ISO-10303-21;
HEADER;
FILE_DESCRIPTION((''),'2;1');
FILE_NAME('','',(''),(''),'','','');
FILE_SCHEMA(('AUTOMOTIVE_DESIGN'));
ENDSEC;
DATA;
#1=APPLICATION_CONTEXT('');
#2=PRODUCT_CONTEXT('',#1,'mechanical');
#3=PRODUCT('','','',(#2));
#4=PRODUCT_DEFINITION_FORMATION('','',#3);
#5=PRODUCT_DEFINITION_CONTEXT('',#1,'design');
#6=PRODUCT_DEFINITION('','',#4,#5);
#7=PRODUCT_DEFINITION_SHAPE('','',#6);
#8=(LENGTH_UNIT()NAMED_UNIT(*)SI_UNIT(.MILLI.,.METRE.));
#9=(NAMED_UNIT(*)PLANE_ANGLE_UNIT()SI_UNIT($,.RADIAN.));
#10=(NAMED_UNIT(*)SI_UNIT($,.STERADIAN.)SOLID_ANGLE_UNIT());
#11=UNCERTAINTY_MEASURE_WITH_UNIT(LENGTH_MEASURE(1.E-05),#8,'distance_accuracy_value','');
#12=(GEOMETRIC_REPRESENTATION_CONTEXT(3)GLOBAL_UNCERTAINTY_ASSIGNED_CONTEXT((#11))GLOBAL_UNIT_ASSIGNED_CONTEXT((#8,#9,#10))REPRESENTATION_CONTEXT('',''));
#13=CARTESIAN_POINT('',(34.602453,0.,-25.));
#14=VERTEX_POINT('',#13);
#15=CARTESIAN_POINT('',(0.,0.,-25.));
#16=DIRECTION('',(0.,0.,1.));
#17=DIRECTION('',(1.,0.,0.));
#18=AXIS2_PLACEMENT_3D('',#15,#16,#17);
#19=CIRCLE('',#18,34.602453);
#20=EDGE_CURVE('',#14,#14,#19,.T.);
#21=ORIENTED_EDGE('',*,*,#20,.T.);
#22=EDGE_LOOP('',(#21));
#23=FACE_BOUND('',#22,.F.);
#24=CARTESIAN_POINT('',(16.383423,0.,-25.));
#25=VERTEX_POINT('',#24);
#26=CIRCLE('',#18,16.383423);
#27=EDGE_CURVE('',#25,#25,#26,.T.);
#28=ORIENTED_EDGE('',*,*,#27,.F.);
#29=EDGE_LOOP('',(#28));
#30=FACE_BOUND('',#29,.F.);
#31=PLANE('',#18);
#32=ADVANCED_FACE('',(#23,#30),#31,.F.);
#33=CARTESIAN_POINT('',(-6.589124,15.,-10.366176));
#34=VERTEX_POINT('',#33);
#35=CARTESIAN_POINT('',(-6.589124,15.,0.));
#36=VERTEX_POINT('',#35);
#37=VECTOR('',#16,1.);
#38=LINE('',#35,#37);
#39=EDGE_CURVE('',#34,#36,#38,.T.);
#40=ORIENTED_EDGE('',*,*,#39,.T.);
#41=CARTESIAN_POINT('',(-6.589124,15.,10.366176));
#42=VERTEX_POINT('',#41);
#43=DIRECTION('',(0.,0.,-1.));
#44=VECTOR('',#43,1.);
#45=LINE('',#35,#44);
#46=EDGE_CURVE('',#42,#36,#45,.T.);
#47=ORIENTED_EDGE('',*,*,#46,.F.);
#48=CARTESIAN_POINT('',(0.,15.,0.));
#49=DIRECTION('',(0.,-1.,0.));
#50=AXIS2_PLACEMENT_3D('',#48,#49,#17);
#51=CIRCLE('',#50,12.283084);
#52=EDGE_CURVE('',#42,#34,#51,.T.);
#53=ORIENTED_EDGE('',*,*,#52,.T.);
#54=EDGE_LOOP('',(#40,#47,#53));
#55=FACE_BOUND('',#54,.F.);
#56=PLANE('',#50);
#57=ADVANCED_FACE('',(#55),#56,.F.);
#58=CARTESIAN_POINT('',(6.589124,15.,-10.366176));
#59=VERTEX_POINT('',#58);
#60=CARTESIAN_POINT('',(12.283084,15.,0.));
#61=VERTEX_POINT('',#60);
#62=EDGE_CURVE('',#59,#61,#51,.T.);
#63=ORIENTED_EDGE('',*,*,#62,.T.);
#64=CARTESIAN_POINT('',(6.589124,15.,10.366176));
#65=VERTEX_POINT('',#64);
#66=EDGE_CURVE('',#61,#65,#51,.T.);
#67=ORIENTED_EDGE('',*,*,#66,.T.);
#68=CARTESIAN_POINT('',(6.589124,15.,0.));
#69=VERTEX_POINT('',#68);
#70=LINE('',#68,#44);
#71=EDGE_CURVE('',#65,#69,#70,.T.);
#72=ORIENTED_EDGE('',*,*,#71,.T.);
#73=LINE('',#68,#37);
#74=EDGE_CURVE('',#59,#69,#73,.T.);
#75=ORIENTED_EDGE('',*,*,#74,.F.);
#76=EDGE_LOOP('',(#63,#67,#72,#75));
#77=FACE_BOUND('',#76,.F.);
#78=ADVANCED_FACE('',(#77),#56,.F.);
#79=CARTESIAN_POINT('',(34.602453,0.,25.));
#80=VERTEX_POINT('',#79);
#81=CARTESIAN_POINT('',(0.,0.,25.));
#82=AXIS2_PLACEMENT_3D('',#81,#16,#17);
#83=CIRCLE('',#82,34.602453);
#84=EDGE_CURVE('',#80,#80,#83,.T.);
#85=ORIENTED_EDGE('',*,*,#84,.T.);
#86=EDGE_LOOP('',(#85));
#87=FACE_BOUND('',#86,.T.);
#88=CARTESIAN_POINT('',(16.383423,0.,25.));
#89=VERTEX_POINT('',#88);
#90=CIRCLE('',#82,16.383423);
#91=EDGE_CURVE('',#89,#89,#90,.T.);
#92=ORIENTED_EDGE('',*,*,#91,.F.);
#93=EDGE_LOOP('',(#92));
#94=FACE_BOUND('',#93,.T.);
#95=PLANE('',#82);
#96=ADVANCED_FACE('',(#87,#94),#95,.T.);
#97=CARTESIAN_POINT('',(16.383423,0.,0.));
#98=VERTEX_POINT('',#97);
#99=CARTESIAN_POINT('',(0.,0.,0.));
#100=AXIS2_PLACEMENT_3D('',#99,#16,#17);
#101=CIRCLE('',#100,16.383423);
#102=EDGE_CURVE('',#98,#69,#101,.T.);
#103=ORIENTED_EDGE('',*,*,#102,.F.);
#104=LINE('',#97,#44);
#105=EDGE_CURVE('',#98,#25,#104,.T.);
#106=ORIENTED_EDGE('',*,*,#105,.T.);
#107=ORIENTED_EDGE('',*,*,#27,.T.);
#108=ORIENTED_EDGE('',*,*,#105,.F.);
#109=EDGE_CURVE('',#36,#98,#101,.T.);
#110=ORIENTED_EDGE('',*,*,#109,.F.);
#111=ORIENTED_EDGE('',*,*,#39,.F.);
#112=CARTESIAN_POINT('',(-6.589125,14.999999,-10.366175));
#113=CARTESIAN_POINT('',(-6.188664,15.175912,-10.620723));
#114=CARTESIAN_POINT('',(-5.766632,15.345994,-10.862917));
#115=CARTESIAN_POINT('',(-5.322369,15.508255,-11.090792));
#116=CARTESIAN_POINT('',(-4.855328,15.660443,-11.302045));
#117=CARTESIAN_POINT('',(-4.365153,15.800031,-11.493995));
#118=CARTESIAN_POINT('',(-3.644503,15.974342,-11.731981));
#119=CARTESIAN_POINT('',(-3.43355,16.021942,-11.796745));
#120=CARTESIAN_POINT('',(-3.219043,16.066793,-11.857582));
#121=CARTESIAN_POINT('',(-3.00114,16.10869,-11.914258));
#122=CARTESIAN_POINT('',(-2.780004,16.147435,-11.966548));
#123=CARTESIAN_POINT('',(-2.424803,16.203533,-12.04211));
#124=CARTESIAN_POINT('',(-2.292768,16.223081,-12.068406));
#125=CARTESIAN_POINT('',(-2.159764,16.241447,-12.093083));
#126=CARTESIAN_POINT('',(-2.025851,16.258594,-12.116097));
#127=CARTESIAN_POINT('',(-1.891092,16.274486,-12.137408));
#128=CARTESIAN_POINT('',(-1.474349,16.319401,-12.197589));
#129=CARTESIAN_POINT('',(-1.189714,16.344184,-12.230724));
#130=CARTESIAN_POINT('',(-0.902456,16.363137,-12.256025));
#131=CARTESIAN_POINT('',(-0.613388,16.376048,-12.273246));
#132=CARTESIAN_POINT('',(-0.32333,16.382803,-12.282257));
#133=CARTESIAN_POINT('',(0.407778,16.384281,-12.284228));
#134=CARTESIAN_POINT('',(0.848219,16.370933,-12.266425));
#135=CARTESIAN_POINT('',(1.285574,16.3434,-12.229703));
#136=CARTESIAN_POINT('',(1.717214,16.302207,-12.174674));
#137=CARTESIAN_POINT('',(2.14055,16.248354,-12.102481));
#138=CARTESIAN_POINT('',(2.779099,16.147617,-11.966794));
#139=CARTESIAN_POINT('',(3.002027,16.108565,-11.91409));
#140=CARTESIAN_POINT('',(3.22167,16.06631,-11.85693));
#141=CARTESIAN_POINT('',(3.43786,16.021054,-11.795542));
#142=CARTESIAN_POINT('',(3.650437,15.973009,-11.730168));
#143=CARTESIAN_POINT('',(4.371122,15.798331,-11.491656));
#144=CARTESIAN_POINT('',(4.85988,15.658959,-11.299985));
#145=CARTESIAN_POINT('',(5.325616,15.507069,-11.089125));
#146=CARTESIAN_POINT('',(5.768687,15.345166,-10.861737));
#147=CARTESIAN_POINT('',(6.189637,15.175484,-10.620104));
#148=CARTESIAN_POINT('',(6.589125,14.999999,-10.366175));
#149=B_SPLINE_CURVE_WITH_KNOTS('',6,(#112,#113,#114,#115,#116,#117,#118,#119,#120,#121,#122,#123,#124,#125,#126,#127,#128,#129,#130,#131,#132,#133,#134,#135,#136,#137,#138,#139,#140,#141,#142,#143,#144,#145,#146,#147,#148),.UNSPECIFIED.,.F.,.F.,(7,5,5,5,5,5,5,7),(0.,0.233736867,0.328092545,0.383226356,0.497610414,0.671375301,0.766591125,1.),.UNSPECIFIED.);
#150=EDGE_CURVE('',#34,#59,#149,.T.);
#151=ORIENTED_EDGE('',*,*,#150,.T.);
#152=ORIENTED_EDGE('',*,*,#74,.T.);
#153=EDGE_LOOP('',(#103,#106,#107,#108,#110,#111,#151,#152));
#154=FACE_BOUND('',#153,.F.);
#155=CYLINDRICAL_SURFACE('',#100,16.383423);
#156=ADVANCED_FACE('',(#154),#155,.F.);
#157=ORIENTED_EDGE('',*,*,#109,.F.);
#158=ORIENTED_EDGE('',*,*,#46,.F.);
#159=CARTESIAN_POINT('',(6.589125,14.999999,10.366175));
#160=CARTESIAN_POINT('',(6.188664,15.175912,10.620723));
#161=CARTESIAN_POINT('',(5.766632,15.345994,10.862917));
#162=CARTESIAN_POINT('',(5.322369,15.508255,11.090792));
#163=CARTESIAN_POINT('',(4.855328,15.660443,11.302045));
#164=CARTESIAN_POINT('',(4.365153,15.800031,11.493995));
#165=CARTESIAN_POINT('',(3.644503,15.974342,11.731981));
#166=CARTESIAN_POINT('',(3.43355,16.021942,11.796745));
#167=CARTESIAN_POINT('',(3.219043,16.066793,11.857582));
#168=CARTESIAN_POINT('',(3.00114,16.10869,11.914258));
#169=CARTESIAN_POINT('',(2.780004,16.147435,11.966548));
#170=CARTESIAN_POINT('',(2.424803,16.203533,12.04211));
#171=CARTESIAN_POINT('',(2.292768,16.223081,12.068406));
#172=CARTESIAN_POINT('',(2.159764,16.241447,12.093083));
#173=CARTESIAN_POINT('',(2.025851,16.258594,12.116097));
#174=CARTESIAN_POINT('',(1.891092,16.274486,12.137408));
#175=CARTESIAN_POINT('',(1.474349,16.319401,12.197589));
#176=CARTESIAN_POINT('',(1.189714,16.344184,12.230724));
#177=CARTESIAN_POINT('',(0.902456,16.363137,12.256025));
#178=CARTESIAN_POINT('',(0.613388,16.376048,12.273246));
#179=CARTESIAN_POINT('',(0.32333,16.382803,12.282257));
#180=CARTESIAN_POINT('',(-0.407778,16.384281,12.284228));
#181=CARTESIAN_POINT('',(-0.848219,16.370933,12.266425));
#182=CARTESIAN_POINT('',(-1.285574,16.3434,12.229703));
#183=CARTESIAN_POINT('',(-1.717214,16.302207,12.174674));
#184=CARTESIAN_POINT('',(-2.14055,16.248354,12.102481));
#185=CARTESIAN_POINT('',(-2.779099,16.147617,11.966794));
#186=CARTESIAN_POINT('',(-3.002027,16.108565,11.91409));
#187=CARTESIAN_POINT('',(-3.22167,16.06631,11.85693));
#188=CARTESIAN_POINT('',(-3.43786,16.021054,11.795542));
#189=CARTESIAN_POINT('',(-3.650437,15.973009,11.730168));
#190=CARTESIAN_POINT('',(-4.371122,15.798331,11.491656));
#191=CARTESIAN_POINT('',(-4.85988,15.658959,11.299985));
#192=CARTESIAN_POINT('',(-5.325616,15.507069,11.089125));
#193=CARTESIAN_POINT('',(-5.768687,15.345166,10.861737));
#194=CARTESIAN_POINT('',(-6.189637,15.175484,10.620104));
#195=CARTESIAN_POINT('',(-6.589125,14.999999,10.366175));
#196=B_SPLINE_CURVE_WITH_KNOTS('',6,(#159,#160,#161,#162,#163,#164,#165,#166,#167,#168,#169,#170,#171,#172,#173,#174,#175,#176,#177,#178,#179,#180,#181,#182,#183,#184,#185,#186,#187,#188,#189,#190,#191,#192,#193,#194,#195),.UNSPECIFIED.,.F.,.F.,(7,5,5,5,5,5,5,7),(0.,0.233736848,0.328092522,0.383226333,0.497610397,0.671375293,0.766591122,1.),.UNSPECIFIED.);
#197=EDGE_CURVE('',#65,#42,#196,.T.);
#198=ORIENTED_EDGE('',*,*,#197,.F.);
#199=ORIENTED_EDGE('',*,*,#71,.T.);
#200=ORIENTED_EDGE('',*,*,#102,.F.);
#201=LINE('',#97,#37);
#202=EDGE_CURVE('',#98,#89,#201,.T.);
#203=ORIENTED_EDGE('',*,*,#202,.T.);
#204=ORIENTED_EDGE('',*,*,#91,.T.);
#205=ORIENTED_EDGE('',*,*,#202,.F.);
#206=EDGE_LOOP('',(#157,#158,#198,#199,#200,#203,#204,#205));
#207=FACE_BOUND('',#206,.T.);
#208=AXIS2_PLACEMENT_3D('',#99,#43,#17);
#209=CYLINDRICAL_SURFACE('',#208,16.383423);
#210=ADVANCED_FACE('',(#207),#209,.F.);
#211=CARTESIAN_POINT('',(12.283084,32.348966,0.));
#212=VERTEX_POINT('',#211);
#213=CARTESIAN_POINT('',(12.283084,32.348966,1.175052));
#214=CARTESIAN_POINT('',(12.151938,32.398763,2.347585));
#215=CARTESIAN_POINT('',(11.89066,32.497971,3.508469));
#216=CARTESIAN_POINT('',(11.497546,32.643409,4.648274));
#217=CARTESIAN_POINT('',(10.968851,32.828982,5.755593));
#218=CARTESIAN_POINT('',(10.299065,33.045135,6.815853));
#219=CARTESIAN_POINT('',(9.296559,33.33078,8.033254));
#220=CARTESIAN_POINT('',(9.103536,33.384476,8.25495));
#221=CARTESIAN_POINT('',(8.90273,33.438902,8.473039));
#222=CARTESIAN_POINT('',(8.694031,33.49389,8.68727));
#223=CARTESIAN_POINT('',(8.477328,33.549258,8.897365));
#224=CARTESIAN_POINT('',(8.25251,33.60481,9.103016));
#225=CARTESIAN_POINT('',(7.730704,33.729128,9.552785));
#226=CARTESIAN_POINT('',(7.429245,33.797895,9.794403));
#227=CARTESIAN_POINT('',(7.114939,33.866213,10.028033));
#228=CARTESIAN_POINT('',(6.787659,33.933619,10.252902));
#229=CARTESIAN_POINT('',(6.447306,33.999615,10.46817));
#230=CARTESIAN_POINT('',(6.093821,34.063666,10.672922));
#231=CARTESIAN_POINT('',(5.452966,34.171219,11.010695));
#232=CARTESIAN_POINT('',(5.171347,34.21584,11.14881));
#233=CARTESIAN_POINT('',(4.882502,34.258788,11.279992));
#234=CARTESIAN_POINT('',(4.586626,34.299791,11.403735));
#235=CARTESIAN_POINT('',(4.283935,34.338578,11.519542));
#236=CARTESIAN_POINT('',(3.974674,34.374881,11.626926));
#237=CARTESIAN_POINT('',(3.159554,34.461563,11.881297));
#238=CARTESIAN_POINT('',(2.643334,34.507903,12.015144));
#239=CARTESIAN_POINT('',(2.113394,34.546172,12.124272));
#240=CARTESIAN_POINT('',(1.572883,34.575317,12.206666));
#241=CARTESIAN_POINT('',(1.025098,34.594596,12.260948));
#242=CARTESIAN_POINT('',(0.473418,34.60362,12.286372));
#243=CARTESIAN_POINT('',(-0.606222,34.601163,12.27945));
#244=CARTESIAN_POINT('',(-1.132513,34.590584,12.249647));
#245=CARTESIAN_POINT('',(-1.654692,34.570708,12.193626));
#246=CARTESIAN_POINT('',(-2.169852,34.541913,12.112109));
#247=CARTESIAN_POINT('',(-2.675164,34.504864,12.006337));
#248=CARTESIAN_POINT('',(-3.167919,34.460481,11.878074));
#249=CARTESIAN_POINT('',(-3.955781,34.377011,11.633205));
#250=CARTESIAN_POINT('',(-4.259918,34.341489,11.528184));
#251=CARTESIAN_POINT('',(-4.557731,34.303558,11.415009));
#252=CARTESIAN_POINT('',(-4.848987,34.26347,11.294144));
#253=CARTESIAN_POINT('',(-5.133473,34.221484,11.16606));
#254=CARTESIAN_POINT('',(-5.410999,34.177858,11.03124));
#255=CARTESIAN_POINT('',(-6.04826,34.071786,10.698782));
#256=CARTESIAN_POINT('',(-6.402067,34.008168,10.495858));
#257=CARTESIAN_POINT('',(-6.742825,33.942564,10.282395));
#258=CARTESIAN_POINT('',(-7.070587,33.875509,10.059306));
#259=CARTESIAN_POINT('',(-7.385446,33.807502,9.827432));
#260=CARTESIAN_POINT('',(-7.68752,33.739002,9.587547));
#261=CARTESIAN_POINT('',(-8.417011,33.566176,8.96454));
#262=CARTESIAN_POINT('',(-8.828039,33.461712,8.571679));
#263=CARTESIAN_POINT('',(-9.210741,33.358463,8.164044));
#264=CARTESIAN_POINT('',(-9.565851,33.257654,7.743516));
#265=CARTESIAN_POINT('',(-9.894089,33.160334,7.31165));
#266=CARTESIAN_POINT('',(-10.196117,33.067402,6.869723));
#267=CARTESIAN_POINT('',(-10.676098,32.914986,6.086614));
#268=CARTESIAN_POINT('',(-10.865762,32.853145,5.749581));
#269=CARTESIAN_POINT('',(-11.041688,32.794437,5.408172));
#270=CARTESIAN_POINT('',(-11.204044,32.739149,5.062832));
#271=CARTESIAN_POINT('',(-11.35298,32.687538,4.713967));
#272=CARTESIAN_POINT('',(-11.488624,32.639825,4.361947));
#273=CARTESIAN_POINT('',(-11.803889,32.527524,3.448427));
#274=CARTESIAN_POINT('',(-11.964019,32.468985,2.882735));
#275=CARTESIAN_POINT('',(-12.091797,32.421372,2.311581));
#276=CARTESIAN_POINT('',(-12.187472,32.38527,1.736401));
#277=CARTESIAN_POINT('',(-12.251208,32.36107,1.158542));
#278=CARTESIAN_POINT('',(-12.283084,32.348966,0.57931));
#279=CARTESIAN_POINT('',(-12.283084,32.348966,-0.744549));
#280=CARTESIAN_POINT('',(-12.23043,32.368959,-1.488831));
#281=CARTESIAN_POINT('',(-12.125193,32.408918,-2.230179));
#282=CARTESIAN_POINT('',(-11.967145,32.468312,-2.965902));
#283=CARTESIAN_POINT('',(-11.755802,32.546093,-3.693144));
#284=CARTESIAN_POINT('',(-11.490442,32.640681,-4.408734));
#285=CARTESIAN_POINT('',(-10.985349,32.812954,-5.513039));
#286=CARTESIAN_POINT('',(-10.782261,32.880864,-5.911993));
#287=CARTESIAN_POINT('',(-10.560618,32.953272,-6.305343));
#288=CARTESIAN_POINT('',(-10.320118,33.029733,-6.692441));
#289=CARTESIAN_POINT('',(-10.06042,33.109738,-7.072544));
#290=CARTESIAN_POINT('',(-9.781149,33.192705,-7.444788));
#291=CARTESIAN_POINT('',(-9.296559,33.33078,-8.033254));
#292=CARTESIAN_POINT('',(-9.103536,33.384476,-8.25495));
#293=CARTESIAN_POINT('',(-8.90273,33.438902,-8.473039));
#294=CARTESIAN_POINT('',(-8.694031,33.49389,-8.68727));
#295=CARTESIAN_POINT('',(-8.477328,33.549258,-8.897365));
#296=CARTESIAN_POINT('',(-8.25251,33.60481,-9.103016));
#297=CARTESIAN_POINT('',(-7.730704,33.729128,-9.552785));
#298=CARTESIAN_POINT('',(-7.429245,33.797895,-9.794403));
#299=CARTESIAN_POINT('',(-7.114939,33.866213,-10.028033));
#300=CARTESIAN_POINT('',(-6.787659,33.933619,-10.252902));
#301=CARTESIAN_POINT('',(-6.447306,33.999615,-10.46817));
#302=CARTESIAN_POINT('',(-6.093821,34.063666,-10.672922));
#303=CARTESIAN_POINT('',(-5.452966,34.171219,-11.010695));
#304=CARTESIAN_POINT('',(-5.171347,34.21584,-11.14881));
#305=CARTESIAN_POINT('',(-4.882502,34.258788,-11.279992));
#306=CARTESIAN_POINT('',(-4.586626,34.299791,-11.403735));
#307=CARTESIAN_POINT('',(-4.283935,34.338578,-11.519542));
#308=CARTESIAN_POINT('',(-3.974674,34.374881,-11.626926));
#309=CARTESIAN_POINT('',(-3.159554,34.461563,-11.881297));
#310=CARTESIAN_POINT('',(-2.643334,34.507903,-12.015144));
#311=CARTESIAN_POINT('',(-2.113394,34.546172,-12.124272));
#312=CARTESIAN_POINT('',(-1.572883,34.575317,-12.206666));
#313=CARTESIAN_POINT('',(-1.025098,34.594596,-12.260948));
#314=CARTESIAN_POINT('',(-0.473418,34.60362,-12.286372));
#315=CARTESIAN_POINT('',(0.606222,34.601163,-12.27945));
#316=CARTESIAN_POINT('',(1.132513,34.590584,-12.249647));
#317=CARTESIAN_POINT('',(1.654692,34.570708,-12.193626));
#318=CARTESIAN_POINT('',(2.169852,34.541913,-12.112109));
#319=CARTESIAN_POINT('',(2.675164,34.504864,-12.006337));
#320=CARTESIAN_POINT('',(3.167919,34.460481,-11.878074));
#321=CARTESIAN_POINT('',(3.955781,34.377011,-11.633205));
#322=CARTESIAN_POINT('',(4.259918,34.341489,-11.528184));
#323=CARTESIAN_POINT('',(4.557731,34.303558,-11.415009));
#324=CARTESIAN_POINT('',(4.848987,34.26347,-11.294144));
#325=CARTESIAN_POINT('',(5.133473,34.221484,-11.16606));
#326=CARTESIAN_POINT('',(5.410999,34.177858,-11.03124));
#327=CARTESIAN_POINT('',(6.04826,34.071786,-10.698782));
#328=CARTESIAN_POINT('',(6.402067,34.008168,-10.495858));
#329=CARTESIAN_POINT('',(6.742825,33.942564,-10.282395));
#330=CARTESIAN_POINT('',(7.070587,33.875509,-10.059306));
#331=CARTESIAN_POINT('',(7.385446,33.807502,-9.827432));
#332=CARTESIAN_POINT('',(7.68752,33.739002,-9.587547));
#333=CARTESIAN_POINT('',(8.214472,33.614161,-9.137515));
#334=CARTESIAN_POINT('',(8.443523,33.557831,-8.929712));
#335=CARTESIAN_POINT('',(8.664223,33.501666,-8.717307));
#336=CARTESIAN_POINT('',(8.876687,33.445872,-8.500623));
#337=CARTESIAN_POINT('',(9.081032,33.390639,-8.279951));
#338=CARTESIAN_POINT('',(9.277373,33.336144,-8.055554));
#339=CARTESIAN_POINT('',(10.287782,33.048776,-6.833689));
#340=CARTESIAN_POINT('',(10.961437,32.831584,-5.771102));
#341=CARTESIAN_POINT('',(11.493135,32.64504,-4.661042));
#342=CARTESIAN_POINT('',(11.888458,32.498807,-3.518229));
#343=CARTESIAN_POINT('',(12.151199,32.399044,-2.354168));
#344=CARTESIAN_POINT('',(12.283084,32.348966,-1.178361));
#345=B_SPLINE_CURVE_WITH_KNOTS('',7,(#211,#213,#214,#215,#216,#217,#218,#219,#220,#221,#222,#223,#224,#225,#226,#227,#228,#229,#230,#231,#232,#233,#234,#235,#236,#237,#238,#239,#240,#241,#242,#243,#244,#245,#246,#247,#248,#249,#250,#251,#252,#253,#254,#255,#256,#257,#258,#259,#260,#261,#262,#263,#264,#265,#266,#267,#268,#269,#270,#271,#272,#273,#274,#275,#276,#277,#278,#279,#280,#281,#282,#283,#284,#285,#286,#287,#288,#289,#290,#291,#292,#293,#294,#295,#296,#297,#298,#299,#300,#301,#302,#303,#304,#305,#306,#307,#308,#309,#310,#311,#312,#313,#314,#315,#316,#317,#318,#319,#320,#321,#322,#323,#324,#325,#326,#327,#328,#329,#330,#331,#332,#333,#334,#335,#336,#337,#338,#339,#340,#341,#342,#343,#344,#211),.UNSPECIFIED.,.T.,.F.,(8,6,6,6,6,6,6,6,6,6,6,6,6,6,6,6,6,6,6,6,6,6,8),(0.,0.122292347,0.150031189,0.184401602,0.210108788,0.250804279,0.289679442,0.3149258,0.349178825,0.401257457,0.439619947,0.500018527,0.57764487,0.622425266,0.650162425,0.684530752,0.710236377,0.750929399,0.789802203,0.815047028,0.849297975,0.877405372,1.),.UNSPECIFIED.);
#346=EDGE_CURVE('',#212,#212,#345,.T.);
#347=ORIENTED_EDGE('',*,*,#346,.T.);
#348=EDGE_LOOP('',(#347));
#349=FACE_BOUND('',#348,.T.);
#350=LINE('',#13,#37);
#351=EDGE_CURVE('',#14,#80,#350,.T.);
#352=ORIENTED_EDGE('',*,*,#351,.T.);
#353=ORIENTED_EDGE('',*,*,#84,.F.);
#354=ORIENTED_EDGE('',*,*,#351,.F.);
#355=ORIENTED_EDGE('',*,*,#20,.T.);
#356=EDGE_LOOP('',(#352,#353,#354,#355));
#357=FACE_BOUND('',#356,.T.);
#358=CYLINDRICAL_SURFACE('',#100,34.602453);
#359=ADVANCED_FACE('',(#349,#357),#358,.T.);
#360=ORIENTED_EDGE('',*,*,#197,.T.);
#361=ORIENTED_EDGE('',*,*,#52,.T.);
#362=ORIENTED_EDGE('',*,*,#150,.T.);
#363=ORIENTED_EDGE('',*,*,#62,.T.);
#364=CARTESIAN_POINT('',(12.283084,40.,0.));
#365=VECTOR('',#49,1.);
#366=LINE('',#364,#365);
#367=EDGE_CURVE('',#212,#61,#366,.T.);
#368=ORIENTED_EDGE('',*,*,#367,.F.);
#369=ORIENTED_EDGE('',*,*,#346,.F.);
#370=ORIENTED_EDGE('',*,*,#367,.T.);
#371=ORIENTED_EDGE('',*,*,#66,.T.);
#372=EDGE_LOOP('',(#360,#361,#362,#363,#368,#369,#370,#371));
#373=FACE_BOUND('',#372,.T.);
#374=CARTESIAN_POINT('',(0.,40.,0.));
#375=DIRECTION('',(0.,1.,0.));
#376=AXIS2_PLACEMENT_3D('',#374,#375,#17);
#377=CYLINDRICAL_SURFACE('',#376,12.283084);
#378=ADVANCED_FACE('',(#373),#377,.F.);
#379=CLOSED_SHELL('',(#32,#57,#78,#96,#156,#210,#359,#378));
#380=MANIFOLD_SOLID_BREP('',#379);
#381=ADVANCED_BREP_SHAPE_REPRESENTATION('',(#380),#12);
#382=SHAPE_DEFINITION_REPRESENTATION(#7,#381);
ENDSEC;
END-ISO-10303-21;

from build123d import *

# Parameters (mm, degrees)
F0_R          = 34.602453
F0_R_2        = 16.383423
F1_DEPTH      = 25
F1_DEPTH_BACK = 25
F3_R          = 12.283084
F4_DEPTH      = 25


with BuildPart() as f1:
    # F0 (on Top) → F1 (new body, two sides)
    with BuildSketch(Plane.XY) as f1_sk:
        Circle(F0_R)
        Circle(F0_R_2, mode=Mode.SUBTRACT)
    extrude(amount=F1_DEPTH)
    extrude(f1_sk.sketch, amount=-F1_DEPTH_BACK)

    # F3 (on offset) → F4 (cut)
    with BuildSketch(Plane.XZ.offset(-40)):
        Circle(F3_R)
    extrude(amount=F4_DEPTH, mode=Mode.SUBTRACT)


solid = f1.part
